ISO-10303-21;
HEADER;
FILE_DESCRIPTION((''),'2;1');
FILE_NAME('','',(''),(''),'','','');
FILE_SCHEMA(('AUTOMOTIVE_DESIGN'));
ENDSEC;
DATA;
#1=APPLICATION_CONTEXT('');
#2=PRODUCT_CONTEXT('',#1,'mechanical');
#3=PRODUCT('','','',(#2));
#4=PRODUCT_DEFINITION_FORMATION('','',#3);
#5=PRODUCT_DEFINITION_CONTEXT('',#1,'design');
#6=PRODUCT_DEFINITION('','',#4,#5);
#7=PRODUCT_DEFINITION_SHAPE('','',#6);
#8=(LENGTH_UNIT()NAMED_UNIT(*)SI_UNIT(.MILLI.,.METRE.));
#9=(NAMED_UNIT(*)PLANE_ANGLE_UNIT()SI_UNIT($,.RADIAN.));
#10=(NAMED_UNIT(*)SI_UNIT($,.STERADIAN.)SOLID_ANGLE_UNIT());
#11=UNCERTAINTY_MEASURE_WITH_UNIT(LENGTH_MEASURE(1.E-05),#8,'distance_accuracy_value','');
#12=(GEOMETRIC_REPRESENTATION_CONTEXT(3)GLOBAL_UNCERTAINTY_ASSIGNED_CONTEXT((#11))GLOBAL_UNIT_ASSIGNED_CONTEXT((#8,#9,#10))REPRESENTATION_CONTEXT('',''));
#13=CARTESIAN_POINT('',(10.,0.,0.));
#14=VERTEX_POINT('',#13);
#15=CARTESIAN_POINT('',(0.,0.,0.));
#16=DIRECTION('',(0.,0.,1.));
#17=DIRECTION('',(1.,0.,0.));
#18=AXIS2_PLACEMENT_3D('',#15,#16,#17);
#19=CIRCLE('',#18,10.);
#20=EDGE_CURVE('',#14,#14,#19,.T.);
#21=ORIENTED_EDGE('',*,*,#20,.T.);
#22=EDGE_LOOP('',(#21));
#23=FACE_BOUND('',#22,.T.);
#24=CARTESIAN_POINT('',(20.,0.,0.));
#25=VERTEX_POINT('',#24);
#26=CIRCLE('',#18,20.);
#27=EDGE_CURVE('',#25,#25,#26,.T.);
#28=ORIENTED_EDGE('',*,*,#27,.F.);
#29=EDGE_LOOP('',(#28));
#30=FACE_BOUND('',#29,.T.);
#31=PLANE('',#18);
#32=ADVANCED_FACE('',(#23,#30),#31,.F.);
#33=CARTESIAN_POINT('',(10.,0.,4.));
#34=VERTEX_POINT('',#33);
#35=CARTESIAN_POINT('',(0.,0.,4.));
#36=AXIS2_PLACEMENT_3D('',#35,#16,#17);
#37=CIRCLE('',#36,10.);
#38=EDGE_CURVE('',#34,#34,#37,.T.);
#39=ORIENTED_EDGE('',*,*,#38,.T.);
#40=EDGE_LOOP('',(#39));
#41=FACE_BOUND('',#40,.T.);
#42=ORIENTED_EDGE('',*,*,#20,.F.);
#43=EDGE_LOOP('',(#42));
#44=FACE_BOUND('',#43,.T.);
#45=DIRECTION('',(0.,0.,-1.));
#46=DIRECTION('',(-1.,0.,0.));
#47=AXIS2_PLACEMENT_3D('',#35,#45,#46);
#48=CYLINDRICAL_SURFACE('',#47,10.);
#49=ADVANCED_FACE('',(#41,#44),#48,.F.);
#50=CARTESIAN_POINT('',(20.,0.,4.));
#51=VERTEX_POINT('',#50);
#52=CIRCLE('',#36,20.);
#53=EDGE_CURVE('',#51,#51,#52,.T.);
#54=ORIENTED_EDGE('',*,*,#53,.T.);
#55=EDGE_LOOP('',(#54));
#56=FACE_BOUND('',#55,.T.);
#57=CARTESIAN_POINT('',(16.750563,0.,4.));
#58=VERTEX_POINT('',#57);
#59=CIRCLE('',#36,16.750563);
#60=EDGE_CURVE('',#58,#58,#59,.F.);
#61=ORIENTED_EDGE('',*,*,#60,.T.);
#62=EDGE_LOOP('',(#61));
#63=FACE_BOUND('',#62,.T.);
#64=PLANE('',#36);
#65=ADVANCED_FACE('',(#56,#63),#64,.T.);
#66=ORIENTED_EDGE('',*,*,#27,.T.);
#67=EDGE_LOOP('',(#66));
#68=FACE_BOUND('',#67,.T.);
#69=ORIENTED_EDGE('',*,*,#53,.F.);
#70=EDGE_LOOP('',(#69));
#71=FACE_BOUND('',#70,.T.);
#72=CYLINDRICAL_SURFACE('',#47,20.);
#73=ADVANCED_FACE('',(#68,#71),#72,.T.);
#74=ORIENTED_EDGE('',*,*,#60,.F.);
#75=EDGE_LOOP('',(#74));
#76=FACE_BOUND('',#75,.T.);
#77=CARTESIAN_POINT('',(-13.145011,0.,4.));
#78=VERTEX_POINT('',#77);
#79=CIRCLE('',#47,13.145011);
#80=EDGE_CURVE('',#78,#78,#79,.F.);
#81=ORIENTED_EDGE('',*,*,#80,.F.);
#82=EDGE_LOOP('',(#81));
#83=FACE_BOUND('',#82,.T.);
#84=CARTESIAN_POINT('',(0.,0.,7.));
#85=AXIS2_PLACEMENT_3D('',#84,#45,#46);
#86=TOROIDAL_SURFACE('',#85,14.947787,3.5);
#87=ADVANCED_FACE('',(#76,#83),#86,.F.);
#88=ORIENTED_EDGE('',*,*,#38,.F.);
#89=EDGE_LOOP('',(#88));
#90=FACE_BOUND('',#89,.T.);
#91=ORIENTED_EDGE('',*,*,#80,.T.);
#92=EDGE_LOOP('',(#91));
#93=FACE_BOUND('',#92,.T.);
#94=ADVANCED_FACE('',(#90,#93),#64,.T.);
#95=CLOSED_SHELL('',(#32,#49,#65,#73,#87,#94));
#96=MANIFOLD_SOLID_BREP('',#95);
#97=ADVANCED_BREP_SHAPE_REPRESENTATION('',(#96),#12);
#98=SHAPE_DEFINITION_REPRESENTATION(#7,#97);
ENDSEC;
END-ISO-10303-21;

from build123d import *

# Parameters (mm, degrees)
SKETCH_1_R      = 20
SKETCH_1_R_2    = 10
EXTRUDE_1_DEPTH = 4
SKETCH_3_R      = 3.5


with BuildPart() as part:
    # Эскиз1 → Вытянуть1 (new body)
    with BuildSketch(Plane.XY):
        Circle(SKETCH_1_R)
        Circle(SKETCH_1_R_2, mode=Mode.SUBTRACT)
    extrude(amount=EXTRUDE_1_DEPTH)

    # Вырез-По траектории1: sweep along a path in Эскиз2
    with BuildLine(Plane.XY.offset(4)) as sweep_1_path:
        CenterArc((0, 0), 15, 0, 360)
    # Эскиз3 → Вырез-По траектории1 (sweep, cut)
    with BuildSketch(Plane(origin=(0, 0, 0), x_dir=(1, 0, 0), z_dir=(0, 1, 0))):
        with Locations((14.947787098, -7)):
            Circle(SKETCH_3_R)
    sweep(path=sweep_1_path.line, mode=Mode.SUBTRACT)


solid = part.part
